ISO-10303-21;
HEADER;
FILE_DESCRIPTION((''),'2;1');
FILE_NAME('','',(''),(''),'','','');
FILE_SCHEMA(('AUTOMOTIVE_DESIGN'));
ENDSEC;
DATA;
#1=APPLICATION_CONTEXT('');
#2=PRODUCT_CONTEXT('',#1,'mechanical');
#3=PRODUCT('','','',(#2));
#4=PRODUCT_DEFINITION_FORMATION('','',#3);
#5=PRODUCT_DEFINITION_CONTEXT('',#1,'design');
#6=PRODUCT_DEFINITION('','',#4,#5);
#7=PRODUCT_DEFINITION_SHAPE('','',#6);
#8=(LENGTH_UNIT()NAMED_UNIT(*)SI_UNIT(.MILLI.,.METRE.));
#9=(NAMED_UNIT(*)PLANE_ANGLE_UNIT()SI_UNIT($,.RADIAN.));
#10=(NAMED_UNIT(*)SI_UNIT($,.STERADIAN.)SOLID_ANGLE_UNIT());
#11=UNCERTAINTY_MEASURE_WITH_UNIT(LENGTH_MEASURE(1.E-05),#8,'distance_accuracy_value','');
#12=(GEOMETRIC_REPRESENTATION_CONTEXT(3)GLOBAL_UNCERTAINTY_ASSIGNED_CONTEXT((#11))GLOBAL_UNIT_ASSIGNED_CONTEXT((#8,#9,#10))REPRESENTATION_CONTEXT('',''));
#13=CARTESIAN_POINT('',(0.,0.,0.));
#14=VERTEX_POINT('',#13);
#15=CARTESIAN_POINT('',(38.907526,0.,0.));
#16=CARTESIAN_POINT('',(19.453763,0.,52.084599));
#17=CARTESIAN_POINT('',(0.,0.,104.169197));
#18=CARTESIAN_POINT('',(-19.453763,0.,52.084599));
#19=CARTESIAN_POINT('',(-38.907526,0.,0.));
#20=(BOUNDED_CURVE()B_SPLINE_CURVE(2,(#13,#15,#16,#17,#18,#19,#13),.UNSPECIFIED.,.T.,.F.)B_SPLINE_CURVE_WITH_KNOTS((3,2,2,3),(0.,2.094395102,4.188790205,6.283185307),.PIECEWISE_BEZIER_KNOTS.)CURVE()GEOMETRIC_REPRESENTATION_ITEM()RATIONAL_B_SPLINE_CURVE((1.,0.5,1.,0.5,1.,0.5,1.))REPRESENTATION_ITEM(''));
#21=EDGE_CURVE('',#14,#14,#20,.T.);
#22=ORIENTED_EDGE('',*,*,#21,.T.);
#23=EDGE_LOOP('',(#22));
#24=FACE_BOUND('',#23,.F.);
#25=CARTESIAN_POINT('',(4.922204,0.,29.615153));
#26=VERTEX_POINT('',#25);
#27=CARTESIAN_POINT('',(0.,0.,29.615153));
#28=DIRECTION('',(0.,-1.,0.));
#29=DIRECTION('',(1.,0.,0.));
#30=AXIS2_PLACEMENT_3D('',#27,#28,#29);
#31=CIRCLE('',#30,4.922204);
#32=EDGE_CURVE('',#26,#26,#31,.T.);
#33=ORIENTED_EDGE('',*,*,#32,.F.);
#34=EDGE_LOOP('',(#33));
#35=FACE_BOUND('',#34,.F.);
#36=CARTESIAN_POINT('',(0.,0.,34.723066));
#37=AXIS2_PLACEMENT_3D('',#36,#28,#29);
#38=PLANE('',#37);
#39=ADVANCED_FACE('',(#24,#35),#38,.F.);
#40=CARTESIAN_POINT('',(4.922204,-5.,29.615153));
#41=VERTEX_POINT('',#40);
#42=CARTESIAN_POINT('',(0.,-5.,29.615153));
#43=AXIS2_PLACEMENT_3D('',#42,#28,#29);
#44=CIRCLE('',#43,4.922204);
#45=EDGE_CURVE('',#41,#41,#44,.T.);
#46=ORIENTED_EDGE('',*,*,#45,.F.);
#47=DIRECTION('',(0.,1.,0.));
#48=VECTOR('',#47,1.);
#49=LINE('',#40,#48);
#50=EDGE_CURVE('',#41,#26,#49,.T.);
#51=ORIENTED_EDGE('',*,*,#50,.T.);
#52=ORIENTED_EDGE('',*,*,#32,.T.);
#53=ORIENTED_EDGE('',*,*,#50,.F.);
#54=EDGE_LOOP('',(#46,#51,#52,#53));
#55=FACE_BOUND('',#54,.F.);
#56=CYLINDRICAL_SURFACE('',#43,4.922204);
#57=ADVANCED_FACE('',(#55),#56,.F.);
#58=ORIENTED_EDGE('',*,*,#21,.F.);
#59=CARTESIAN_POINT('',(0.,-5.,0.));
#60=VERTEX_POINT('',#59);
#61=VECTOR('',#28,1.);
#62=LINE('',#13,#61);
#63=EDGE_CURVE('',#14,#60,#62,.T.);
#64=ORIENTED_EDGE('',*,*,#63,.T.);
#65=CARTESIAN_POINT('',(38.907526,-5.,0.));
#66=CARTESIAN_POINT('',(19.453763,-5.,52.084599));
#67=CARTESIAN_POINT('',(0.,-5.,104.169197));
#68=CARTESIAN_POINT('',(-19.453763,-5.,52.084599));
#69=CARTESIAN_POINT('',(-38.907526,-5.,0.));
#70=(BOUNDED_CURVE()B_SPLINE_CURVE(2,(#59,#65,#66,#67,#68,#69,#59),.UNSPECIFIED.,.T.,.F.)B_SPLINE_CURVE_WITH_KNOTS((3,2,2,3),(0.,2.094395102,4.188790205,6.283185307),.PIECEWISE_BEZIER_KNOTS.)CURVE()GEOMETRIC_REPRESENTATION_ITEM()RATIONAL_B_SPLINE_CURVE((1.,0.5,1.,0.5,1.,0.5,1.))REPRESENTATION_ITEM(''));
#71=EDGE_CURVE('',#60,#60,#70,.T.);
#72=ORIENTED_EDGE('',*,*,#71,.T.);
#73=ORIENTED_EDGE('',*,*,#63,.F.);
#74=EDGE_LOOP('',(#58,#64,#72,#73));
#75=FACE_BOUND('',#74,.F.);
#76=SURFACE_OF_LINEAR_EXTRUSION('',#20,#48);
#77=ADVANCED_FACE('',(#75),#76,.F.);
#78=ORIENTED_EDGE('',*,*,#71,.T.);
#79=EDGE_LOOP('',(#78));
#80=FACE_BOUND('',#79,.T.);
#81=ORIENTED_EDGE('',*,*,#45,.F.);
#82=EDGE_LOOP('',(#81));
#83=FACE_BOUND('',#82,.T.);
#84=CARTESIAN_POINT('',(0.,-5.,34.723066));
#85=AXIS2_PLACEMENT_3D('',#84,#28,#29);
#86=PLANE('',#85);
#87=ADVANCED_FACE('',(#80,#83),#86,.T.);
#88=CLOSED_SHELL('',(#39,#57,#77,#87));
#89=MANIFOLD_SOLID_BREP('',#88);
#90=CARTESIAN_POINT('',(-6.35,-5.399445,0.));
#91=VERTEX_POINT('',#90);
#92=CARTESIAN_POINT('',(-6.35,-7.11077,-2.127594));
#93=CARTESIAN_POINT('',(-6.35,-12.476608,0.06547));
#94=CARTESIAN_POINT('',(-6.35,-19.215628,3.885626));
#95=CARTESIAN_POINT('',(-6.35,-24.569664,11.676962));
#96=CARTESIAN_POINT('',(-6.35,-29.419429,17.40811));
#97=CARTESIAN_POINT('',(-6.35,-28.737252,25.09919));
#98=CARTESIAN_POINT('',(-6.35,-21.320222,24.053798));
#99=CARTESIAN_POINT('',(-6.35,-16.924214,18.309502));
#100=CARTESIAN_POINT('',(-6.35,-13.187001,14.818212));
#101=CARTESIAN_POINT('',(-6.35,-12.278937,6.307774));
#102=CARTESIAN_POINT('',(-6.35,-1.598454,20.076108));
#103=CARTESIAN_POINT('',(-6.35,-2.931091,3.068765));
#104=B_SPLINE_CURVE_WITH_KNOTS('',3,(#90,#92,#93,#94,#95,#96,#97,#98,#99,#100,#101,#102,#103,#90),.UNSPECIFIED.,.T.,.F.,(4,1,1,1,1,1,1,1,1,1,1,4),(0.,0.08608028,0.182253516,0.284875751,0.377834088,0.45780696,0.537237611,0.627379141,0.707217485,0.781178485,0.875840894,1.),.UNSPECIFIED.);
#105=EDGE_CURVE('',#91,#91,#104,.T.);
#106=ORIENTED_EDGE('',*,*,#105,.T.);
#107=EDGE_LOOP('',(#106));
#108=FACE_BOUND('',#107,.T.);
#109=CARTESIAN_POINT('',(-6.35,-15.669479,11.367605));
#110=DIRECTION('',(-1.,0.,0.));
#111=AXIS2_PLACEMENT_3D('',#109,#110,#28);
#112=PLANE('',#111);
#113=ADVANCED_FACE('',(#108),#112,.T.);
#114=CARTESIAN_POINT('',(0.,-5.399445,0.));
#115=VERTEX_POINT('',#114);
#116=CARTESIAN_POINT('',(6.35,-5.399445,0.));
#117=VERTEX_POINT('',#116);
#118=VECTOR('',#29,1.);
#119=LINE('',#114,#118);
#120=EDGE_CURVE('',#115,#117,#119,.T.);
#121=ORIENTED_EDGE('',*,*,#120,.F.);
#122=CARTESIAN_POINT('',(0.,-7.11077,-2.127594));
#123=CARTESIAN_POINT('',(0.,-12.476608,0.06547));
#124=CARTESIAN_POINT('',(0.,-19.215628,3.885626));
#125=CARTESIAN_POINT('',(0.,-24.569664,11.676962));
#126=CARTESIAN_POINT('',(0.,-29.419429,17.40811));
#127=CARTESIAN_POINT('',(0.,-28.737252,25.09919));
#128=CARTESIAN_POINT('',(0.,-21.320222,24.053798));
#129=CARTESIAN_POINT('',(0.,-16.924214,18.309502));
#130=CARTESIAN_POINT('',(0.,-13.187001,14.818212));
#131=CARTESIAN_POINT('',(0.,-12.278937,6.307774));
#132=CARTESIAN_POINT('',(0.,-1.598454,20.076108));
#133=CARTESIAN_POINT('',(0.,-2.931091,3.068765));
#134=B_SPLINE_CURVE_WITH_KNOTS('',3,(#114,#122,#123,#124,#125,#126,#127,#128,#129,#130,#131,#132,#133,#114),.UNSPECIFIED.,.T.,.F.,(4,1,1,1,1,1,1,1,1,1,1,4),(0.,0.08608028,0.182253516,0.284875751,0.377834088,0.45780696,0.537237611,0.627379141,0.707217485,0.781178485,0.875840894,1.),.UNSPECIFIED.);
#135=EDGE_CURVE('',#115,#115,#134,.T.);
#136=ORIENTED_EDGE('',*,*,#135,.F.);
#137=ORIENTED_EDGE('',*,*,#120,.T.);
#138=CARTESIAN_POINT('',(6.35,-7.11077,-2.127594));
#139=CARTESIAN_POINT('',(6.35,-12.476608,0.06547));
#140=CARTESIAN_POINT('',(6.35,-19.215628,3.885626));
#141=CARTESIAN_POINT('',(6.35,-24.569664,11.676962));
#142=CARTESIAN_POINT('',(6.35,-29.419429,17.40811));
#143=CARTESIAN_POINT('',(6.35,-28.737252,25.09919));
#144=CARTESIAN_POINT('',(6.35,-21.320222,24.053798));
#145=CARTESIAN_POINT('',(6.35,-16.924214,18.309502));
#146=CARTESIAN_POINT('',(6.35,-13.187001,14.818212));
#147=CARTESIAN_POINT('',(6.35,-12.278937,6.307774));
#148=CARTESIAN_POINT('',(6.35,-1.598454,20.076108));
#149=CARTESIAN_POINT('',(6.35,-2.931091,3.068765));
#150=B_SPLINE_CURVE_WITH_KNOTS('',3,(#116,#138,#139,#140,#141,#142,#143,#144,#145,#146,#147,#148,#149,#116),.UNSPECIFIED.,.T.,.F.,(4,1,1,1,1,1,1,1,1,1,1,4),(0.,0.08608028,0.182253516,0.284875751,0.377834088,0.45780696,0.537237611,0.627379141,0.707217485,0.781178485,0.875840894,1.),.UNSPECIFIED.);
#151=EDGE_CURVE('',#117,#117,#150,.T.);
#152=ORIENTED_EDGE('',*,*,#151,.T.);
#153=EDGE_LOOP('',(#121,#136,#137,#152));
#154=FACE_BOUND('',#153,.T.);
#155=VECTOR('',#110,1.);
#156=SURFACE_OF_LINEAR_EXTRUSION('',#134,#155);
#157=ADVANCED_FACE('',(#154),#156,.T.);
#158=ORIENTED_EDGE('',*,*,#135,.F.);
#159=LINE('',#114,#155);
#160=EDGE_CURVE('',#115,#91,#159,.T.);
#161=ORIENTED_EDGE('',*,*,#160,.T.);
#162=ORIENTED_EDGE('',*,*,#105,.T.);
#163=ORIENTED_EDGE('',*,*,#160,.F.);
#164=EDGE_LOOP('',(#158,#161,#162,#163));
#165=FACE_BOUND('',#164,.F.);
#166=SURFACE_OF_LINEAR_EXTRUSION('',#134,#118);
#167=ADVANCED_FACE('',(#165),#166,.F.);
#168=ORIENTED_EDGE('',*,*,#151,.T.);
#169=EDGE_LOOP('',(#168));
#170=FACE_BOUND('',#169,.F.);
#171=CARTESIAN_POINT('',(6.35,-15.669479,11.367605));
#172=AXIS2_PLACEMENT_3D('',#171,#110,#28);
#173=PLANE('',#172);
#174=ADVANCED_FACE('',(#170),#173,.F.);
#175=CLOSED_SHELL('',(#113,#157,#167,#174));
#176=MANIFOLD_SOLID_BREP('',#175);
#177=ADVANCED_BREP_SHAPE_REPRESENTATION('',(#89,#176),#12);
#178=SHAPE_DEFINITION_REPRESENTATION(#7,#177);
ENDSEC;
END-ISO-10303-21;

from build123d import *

# Parameters (mm, degrees)
F1_DEPTH = 5
F2_R     = 4.9222037408
F3_DEPTH = 28.25456
F5_DEPTH = 6.35


with BuildPart() as f1:
    # F0 (on Front) → F1 (new body)
    with BuildSketch(Plane.XZ):
        with BuildLine():
            add(Edge.make_bspline(
                [(0, 0), (38.9075261288, 0), (19.4537630644, 52.0845986903), (0, 104.1691973805), (-19.4537630644, 52.0845986903), (-38.9075261288, 0), (0, 0)],
                knots=[0, 0, 0, 2.0943951024, 2.0943951024, 4.1887902048, 4.1887902048, 6.2831853072, 6.2831853072, 6.2831853072], degree=2, weights=[1, 0.5, 1, 0.5, 1, 0.5, 1]))
        make_face()
    extrude(amount=F1_DEPTH)

    # F2 (on face) → F3 (cut)
    with BuildSketch(Plane.XZ.offset(5)):
        with Locations((0, 29.6151526272)):
            Circle(F2_R)
    extrude(amount=-F3_DEPTH, mode=Mode.SUBTRACT)


with BuildPart() as f5:
    # F4 (on Right) → F5 (new body, symmetric)
    with BuildSketch(Plane.YZ):
        with BuildLine():
            add(Edge.make_bspline(
                [(-5.3994450718, 0), (-7.11077019, -2.1275935908), (-12.4766082697, 0.065470445), (-19.215628499, 3.8856261496), (-24.5696641322, 11.6769624976), (-29.4194286226, 17.4081099548), (-28.7372517711, 25.0991898765), (-21.3202221959, 24.053798475), (-16.9242141571, 18.3095024026), (-13.1870011289, 14.8182119075), (-12.2789370606, 6.3077737184), (-1.5984544618, 20.0761077292), (-2.9310911567, 3.0687646163), (-5.3994450718, 0)],
                knots=[0, 0, 0, 0, 0.0860802801, 0.1822535159, 0.284875751, 0.3778340879, 0.4578069602, 0.5372376114, 0.6273791406, 0.7072174847, 0.7811784852, 0.8758408942, 1, 1, 1, 1], degree=3))
        make_face()
    extrude(amount=F5_DEPTH, both=True)


solid = Compound([f1.part, f5.part])
